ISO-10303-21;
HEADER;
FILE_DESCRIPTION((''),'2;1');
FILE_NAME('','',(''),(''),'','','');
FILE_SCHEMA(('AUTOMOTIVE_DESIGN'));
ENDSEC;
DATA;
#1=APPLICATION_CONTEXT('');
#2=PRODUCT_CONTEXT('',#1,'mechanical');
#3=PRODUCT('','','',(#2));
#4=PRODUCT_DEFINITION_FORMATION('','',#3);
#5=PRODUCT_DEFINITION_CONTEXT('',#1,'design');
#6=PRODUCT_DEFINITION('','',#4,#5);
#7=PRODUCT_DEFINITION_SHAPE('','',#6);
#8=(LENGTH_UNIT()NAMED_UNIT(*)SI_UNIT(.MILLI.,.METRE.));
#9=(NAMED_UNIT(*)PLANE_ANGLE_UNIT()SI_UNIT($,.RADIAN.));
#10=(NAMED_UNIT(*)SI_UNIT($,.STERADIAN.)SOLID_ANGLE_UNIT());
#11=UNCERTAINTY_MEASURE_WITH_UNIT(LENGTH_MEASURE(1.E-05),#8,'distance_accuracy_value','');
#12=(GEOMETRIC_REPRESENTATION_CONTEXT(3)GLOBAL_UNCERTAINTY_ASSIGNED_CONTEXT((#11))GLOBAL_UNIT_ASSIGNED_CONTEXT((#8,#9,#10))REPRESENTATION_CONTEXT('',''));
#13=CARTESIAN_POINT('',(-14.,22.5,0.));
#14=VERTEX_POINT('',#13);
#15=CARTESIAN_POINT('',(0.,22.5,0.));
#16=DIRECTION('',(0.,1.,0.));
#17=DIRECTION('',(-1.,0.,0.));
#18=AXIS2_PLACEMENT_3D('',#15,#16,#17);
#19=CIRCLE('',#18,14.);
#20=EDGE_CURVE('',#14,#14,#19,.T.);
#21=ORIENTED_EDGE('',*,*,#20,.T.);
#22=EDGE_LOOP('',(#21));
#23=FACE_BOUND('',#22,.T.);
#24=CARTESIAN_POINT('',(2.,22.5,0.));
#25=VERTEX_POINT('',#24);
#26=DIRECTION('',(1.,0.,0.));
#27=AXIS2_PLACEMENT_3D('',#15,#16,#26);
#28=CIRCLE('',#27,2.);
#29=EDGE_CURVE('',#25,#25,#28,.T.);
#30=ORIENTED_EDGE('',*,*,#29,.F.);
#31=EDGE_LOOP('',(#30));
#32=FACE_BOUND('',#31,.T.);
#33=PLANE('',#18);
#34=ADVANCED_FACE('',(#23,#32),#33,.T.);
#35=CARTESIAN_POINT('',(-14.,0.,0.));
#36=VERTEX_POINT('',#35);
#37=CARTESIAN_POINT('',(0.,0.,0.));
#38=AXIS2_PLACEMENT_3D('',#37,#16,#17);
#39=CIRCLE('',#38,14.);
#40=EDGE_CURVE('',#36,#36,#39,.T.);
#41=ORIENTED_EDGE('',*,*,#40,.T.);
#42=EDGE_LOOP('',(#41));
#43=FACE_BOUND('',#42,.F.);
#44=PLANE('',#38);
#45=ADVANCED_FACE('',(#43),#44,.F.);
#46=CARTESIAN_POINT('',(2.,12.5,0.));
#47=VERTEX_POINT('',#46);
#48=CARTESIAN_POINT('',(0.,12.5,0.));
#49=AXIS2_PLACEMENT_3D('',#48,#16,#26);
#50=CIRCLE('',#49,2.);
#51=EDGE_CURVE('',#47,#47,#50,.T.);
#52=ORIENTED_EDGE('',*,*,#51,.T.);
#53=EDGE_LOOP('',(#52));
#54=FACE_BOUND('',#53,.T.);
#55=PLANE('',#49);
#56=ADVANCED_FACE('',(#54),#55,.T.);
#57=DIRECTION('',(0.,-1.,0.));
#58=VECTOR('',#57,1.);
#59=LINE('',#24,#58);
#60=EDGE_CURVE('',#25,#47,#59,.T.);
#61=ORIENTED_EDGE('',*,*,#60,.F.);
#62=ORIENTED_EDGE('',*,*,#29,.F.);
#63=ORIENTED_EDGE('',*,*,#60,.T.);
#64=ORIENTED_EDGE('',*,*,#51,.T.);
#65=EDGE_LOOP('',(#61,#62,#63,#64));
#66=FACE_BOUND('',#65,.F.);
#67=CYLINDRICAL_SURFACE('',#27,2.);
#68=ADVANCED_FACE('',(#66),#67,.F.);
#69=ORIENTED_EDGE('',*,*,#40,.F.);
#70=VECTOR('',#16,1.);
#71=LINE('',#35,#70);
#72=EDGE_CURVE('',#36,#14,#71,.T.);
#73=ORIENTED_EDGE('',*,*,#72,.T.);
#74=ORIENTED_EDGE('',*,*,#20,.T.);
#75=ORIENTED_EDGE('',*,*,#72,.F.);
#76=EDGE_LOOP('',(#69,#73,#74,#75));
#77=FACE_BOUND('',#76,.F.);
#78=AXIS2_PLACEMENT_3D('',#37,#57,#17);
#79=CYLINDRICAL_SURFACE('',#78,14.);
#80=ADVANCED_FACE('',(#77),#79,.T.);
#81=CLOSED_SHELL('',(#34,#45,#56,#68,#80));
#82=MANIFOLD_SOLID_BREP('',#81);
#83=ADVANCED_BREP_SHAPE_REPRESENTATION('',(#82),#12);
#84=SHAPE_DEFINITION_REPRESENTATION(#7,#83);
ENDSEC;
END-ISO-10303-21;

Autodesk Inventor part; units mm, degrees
ref_plane "YZ Plane" through (0, 0, 0) normal (1, 0, 0) x (0, 1, 0)
ref_plane "XZ Plane" through (0, 0, 0) normal (0, 1, 0) x (-1, 0, 0)
ref_plane "XY Plane" through (0, 0, 0) normal (0, 0, 1) x (1, 0, 0)
sketch "Sketch1" plane through (0, 0, 0) normal (0, 1, 0) x (-1, 0, 0)
  circle A0 centre (0, 0) radius 14
  dimension "d0" = 28
extrude "Extrusion1" add sketch "Sketch1" along normal blind 22.5
sketch "Sketch2" plane through (0, 22.5, 0) normal (0, 1, 0) x (1, 0, 0)
  circle A0 centre (0, 0) radius 2
  dimension "d3" = 4
extrude "Extrusion2" cut sketch "Sketch2" against normal blind 10
properties part number "Llanta Versión 1"
